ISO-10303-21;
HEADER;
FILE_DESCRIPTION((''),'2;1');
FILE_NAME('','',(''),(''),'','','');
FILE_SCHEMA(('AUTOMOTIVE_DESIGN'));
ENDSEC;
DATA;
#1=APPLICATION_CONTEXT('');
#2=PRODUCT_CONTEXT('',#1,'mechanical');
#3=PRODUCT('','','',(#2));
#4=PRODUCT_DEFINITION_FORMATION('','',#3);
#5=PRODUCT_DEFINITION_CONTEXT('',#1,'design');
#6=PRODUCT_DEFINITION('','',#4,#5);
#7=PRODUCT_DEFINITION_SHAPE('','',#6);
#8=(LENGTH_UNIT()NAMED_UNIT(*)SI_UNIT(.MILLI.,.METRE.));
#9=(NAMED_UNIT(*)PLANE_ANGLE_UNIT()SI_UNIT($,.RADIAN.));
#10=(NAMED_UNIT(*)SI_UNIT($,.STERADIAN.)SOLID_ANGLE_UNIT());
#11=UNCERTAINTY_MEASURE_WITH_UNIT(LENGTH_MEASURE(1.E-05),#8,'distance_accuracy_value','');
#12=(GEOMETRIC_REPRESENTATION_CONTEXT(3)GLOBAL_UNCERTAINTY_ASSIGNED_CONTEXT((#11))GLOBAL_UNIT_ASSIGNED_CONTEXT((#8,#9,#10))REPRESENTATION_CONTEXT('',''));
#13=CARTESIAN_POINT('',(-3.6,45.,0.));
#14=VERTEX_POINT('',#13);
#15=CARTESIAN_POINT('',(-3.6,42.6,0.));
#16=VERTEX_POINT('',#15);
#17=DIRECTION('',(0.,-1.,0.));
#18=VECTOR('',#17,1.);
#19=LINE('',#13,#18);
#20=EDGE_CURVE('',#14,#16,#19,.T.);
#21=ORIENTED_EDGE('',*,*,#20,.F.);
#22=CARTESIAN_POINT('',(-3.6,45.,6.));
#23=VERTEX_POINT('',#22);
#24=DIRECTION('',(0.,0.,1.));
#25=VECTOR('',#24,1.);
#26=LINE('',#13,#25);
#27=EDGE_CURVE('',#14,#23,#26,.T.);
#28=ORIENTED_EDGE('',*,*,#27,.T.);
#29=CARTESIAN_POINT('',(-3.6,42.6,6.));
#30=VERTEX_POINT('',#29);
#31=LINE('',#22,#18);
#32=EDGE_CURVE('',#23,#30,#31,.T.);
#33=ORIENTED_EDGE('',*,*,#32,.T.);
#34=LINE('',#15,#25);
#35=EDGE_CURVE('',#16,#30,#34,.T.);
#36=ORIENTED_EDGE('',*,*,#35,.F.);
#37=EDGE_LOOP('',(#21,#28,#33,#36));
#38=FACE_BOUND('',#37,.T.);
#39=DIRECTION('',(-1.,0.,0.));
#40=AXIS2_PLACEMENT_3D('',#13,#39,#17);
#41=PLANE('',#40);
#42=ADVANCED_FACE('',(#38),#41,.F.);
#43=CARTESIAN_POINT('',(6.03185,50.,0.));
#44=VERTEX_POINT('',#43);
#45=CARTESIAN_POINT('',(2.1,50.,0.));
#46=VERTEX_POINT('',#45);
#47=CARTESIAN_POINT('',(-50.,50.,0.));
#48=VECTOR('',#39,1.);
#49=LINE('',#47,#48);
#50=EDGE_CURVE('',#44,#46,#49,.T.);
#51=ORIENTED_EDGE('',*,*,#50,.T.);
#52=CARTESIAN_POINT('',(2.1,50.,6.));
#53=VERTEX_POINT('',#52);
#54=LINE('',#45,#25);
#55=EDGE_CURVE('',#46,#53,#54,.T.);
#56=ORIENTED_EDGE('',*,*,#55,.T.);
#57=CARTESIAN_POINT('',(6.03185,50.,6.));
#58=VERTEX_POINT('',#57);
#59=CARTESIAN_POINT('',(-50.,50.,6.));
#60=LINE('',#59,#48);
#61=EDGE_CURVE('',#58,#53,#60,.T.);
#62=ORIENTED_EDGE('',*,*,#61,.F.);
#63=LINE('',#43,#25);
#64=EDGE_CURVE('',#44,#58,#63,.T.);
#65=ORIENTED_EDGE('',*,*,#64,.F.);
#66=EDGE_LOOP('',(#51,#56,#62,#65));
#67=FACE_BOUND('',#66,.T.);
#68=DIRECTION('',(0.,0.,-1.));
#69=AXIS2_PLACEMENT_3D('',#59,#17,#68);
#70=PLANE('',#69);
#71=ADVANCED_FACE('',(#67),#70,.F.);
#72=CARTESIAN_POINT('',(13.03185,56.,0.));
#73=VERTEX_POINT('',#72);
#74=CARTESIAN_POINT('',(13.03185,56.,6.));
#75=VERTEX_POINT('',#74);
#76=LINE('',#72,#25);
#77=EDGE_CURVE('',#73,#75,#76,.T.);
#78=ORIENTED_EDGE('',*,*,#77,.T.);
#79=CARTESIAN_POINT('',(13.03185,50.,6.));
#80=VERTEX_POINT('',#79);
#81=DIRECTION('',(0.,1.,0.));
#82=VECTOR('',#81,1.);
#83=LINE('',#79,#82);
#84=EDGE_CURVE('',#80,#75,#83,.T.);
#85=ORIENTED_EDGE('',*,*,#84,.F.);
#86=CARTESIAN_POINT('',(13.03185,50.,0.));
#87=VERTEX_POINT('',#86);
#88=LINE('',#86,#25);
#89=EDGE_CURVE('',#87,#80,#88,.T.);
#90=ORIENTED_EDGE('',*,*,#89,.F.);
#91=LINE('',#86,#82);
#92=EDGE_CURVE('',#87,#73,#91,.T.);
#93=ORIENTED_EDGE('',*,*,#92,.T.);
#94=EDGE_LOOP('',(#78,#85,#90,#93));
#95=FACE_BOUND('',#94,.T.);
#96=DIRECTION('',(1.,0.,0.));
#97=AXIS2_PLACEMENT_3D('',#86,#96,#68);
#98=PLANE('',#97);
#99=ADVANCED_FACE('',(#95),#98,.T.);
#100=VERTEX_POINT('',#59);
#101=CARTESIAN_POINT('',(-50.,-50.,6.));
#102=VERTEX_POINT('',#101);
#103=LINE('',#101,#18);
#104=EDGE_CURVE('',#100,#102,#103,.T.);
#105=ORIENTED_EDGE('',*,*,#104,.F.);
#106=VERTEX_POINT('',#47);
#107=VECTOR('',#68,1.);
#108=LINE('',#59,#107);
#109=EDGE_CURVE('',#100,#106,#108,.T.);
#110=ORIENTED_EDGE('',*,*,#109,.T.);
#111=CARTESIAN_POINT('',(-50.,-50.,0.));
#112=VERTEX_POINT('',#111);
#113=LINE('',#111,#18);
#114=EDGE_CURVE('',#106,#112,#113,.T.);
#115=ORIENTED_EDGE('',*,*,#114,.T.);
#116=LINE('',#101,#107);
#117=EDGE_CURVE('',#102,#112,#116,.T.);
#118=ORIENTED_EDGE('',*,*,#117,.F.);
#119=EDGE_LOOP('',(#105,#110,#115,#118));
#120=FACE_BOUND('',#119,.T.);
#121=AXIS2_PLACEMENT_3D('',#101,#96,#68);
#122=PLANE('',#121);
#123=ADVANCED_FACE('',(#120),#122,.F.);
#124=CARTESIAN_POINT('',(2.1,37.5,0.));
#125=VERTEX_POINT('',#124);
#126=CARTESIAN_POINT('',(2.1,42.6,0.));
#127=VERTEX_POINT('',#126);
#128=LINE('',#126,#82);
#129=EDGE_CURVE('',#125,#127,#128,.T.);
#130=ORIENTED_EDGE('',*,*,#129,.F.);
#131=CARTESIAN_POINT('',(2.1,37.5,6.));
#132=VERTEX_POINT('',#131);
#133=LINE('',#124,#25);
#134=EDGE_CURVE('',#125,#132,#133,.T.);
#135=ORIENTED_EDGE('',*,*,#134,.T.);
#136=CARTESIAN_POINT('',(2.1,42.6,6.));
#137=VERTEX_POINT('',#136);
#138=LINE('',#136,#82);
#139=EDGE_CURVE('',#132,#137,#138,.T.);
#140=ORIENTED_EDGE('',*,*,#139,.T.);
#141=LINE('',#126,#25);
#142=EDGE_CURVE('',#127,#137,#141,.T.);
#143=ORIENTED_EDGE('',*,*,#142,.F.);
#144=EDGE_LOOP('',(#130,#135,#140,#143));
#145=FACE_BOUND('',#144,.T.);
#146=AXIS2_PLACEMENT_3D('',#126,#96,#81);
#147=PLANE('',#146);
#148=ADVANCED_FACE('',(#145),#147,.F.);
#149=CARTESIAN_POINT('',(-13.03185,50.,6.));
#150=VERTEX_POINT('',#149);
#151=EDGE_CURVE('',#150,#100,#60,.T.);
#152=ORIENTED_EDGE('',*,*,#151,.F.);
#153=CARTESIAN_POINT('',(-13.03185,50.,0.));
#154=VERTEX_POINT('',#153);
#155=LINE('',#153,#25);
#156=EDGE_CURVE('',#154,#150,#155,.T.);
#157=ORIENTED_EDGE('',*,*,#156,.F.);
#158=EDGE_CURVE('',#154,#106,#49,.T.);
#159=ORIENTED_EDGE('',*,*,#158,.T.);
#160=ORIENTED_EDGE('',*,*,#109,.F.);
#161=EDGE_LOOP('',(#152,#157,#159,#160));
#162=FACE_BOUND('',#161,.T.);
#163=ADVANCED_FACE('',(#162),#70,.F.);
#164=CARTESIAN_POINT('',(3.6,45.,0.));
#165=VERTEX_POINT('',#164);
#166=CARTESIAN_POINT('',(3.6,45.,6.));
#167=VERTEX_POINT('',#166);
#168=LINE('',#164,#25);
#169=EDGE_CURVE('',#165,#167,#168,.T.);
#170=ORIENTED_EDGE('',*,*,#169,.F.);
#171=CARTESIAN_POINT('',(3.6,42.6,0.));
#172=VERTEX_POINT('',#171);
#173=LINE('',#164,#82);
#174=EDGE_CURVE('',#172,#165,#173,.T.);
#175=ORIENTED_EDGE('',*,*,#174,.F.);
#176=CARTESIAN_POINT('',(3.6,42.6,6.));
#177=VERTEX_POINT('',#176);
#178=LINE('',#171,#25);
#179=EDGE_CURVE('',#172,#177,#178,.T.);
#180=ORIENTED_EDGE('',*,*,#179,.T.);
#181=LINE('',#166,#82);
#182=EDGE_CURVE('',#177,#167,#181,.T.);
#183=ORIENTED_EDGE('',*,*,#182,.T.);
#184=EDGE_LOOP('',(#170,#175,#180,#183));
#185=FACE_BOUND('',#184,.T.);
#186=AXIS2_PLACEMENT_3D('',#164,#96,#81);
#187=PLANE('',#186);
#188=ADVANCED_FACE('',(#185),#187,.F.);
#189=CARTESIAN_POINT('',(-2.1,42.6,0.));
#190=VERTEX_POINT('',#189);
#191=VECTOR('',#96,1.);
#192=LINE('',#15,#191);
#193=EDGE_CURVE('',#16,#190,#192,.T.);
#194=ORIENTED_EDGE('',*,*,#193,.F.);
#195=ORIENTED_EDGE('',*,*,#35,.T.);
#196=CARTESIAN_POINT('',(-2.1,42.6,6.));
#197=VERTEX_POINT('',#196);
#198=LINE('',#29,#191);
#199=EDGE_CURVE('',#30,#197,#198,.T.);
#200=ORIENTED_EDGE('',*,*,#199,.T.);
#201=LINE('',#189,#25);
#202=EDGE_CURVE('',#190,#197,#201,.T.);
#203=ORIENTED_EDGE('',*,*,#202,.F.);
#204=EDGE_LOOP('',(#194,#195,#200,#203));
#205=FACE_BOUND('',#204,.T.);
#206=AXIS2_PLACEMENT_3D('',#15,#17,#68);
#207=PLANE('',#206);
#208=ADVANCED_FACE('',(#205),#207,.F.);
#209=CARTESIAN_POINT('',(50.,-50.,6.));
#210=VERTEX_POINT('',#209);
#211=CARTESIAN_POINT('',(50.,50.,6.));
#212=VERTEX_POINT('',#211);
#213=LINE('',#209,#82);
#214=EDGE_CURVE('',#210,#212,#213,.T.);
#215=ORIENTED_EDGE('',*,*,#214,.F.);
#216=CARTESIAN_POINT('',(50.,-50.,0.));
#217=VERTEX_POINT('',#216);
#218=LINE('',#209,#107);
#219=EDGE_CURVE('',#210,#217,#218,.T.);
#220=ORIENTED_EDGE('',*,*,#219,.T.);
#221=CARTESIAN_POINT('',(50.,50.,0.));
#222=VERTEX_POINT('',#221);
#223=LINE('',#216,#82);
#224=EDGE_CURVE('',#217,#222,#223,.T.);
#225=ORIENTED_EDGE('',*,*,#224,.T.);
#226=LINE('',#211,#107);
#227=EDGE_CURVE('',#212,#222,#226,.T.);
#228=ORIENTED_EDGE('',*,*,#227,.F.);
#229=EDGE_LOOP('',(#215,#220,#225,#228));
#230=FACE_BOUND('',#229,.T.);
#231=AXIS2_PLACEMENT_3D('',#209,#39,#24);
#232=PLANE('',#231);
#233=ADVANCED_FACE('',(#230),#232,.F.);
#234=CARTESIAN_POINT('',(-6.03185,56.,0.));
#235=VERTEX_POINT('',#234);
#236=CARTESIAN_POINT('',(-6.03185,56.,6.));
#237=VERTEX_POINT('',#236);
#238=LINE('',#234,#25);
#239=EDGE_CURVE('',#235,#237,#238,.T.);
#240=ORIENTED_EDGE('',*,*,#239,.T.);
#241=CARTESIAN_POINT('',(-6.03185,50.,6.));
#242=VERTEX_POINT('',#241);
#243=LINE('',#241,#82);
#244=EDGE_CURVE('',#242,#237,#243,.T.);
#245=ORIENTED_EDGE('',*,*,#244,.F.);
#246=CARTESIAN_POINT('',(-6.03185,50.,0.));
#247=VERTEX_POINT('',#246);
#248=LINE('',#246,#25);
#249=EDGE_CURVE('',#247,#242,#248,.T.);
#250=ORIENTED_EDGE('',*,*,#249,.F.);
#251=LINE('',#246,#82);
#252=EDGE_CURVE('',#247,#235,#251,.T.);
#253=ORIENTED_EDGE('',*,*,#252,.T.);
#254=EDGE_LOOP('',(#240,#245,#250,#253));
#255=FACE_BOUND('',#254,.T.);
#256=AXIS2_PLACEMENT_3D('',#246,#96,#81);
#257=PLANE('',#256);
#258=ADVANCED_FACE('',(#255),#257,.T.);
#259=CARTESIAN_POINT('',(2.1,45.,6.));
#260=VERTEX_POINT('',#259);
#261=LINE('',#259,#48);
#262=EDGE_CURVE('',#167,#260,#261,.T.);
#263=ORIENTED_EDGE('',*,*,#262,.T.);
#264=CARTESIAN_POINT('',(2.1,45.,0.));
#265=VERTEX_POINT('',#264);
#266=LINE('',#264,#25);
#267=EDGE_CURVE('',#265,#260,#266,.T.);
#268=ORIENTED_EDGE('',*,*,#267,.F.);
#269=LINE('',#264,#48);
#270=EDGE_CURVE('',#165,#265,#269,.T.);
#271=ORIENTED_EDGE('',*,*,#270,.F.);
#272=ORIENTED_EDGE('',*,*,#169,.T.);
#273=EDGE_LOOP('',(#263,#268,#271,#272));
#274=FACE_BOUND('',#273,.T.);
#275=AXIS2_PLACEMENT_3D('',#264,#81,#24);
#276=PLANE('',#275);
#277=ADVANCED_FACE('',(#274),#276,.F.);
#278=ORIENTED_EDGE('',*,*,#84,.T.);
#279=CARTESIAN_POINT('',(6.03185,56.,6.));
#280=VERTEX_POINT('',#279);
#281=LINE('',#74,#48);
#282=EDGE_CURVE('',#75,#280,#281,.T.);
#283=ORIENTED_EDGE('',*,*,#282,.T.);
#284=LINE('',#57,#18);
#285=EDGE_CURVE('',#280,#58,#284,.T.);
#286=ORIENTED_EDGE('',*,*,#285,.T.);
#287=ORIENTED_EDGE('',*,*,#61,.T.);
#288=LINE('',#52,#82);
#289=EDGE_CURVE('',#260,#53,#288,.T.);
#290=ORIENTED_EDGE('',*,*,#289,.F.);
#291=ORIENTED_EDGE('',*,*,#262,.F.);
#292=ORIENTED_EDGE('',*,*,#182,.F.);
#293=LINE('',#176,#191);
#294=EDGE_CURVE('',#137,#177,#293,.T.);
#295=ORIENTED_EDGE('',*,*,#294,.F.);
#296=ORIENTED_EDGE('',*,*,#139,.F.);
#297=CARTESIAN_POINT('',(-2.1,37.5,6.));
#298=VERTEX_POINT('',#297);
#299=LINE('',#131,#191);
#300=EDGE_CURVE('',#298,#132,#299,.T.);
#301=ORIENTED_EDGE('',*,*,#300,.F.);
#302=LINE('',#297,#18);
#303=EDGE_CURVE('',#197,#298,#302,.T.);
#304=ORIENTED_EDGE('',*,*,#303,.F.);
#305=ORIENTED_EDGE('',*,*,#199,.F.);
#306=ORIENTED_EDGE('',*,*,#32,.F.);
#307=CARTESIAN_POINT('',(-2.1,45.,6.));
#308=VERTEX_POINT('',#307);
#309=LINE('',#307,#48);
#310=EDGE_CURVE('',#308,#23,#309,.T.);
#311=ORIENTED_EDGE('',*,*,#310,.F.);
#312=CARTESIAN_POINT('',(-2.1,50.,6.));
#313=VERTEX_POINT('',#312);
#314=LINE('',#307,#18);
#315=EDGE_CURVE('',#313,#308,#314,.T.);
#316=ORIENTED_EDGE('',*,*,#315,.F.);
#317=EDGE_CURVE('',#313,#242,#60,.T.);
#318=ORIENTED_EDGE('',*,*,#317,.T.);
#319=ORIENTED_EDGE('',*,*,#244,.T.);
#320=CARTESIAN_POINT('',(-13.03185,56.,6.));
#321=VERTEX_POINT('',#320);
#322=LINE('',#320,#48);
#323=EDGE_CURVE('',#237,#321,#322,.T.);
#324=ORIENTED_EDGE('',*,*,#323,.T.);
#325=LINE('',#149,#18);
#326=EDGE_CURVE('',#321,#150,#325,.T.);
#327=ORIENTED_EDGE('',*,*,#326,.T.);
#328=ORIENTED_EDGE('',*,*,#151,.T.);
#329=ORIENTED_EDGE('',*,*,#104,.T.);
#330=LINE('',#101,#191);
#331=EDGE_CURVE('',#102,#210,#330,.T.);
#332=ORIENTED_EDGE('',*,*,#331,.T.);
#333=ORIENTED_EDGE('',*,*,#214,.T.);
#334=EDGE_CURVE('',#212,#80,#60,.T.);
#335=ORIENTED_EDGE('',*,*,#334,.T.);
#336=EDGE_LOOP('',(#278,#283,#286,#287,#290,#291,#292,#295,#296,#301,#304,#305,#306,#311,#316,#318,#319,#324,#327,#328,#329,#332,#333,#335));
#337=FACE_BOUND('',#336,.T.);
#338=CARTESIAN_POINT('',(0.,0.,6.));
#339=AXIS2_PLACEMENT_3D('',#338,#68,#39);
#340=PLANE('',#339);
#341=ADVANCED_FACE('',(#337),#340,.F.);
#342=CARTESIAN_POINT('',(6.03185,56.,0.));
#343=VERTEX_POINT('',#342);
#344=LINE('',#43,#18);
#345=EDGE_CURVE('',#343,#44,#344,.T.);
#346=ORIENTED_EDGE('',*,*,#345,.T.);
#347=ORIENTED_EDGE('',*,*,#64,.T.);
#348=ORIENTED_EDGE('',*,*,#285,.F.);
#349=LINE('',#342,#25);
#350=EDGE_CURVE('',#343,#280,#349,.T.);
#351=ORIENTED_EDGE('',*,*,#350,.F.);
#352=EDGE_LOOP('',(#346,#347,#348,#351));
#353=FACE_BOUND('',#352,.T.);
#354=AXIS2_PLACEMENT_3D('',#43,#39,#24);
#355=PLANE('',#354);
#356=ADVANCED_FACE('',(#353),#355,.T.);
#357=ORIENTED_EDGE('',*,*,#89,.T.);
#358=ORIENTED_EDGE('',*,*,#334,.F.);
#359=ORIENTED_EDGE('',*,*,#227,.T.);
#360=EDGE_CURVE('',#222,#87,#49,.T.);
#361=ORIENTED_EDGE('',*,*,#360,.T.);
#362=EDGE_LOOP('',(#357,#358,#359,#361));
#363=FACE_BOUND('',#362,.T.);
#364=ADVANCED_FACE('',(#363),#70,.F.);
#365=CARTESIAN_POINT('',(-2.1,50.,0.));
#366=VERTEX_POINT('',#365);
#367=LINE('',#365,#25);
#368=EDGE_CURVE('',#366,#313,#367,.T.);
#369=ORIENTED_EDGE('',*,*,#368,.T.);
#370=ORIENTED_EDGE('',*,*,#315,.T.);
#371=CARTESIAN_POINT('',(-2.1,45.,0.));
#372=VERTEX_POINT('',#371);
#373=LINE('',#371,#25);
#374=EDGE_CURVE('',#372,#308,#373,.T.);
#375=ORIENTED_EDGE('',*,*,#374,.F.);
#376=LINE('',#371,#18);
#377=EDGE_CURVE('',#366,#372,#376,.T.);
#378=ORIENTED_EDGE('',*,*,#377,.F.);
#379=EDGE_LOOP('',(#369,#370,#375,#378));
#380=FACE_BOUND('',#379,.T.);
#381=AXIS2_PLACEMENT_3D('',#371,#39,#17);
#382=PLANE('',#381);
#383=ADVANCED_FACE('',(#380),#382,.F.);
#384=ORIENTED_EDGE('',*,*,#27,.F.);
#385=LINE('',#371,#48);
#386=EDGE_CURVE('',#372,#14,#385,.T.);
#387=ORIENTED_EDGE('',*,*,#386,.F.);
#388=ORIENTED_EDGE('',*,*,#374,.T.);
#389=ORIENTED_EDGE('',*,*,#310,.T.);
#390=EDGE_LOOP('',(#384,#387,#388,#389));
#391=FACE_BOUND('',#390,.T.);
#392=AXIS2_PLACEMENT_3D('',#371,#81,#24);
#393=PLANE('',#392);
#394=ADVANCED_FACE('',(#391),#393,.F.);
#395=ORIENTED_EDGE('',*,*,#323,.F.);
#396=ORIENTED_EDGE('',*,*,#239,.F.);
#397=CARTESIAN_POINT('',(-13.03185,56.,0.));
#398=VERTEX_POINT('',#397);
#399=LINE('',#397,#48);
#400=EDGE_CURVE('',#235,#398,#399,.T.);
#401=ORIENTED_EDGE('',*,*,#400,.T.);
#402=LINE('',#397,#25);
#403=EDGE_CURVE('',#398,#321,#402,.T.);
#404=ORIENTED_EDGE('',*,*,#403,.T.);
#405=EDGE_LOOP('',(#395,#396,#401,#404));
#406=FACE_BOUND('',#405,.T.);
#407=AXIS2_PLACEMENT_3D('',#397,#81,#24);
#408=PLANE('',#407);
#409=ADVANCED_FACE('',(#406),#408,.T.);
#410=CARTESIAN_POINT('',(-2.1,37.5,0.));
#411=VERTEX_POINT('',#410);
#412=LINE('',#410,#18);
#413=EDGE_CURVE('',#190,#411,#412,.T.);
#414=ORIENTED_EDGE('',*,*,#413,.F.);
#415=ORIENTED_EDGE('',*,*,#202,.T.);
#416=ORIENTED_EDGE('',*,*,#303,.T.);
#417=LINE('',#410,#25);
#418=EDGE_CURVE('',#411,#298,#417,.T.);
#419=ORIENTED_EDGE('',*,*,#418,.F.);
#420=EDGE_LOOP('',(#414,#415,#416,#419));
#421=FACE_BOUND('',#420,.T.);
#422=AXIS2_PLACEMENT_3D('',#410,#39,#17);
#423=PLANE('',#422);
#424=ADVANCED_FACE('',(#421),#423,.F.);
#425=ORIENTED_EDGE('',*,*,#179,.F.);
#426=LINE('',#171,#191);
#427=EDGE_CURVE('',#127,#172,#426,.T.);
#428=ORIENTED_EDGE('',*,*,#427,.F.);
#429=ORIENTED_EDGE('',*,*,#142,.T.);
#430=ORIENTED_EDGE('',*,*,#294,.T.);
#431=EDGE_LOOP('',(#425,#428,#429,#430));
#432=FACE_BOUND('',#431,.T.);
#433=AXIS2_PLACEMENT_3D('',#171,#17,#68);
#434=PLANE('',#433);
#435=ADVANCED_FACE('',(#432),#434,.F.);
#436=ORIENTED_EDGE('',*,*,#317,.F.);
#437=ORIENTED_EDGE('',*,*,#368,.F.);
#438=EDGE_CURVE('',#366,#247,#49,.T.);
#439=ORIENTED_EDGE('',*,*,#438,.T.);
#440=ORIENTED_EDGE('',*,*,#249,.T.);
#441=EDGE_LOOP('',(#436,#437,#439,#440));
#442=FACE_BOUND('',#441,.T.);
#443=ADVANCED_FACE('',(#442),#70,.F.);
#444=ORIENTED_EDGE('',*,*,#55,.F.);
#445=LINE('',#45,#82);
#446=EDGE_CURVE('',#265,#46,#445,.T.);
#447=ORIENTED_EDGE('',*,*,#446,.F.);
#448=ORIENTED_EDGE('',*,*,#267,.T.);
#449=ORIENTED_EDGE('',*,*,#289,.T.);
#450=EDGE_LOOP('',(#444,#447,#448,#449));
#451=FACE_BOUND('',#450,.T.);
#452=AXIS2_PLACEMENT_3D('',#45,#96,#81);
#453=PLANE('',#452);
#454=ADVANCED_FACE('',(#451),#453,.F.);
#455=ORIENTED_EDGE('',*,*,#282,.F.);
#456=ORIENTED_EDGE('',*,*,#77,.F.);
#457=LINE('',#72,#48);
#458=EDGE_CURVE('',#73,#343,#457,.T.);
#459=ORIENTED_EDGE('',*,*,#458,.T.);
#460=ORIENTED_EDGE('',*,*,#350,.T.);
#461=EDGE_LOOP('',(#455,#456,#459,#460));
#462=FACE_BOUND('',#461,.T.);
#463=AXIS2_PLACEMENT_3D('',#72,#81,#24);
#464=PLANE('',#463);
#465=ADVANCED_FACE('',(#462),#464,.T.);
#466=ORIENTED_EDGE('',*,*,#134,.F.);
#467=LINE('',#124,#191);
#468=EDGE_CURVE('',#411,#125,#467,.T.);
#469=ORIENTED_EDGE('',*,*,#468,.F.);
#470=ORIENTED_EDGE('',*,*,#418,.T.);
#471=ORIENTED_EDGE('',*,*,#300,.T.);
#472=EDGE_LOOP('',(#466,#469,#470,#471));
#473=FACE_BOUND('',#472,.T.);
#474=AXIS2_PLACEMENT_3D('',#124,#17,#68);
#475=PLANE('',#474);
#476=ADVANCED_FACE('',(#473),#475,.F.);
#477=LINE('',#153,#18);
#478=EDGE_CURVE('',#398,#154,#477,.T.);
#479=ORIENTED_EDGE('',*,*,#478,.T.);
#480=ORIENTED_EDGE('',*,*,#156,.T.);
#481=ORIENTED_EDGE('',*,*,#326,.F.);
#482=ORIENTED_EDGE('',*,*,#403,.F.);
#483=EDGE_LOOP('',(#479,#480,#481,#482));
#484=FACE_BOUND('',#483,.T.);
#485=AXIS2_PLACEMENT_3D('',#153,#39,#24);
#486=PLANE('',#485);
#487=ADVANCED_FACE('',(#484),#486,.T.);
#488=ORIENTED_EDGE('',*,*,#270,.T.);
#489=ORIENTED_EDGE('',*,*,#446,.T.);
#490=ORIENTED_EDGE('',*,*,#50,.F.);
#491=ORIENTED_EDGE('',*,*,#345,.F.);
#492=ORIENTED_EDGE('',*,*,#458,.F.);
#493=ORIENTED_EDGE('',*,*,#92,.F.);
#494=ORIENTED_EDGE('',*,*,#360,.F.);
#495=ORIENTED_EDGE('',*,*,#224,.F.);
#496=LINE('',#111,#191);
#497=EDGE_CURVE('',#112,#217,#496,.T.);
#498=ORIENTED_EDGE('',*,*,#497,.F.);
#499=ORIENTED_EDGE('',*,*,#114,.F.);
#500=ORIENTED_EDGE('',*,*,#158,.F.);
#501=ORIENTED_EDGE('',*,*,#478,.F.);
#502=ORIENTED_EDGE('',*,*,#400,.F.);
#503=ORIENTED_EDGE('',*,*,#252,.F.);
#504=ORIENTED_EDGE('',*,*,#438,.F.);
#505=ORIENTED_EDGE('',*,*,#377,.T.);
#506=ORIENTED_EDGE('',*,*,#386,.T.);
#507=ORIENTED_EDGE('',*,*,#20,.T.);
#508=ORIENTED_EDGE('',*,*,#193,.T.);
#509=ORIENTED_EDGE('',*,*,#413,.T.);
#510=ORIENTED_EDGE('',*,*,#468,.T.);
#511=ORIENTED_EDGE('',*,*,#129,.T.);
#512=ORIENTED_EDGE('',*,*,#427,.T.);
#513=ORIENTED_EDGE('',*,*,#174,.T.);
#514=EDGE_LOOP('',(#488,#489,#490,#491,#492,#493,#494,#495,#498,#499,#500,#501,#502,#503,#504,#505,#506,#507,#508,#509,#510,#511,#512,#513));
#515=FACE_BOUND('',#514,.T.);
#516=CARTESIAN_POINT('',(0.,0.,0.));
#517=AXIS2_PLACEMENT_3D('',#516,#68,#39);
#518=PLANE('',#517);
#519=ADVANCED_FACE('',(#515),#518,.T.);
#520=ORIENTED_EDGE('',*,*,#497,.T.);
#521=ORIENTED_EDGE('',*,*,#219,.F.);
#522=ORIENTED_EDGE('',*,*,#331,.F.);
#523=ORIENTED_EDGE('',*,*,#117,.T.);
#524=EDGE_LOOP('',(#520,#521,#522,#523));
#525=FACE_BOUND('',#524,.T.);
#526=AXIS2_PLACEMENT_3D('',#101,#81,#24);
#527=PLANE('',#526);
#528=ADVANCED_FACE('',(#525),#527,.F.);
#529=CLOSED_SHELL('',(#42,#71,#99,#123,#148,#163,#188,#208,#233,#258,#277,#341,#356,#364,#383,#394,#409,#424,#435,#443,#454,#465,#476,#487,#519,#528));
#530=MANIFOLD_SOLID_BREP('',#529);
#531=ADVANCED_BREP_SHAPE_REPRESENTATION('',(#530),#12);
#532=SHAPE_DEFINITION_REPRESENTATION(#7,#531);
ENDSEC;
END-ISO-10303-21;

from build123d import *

# Parameters (mm, degrees)
SKETCH_1_W          = 100
SKETCH_1_H          = 100
EXTRUDE_1_DEPTH     = 6
SKETCH_2_W          = 7
SKETCH_2_H          = 6
EXTRUDE_2_DEPTH     = 6
CUT_EXTRUDE_1_DEPTH = 7


with BuildPart() as part:
    # Эскиз1 → Бобышка-Вытянуть1 (new body)
    with BuildSketch(Plane.XY):
        Rectangle(SKETCH_1_W, SKETCH_1_H)
    extrude(amount=EXTRUDE_1_DEPTH)

    # Эскиз2 → Бобышка-Вытянуть2 (add)
    with BuildSketch(Plane.XY.offset(6)):
        with Locations((-9.531849908, 53)):
            Rectangle(SKETCH_2_W, SKETCH_2_H)
        with Locations((9.531849908, 53)):
            Rectangle(SKETCH_2_W, SKETCH_2_H)
    extrude(amount=-EXTRUDE_2_DEPTH)

    # Эскиз3 → Вырез-Вытянуть1 (cut, through all)
    with BuildSketch(Plane.XY.offset(6)):
        Polygon((-2.1, 45), (-3.6, 45), (-3.6, 42.6), (-2.1, 42.6), (-2.1, 37.5), (2.1, 37.5), (2.1, 42.6), (3.6, 42.6), (3.6, 45), (2.1, 45), (2.1, 50), (-2.1, 50), align=None)
    extrude(amount=-CUT_EXTRUDE_1_DEPTH, mode=Mode.SUBTRACT)


solid = part.part
